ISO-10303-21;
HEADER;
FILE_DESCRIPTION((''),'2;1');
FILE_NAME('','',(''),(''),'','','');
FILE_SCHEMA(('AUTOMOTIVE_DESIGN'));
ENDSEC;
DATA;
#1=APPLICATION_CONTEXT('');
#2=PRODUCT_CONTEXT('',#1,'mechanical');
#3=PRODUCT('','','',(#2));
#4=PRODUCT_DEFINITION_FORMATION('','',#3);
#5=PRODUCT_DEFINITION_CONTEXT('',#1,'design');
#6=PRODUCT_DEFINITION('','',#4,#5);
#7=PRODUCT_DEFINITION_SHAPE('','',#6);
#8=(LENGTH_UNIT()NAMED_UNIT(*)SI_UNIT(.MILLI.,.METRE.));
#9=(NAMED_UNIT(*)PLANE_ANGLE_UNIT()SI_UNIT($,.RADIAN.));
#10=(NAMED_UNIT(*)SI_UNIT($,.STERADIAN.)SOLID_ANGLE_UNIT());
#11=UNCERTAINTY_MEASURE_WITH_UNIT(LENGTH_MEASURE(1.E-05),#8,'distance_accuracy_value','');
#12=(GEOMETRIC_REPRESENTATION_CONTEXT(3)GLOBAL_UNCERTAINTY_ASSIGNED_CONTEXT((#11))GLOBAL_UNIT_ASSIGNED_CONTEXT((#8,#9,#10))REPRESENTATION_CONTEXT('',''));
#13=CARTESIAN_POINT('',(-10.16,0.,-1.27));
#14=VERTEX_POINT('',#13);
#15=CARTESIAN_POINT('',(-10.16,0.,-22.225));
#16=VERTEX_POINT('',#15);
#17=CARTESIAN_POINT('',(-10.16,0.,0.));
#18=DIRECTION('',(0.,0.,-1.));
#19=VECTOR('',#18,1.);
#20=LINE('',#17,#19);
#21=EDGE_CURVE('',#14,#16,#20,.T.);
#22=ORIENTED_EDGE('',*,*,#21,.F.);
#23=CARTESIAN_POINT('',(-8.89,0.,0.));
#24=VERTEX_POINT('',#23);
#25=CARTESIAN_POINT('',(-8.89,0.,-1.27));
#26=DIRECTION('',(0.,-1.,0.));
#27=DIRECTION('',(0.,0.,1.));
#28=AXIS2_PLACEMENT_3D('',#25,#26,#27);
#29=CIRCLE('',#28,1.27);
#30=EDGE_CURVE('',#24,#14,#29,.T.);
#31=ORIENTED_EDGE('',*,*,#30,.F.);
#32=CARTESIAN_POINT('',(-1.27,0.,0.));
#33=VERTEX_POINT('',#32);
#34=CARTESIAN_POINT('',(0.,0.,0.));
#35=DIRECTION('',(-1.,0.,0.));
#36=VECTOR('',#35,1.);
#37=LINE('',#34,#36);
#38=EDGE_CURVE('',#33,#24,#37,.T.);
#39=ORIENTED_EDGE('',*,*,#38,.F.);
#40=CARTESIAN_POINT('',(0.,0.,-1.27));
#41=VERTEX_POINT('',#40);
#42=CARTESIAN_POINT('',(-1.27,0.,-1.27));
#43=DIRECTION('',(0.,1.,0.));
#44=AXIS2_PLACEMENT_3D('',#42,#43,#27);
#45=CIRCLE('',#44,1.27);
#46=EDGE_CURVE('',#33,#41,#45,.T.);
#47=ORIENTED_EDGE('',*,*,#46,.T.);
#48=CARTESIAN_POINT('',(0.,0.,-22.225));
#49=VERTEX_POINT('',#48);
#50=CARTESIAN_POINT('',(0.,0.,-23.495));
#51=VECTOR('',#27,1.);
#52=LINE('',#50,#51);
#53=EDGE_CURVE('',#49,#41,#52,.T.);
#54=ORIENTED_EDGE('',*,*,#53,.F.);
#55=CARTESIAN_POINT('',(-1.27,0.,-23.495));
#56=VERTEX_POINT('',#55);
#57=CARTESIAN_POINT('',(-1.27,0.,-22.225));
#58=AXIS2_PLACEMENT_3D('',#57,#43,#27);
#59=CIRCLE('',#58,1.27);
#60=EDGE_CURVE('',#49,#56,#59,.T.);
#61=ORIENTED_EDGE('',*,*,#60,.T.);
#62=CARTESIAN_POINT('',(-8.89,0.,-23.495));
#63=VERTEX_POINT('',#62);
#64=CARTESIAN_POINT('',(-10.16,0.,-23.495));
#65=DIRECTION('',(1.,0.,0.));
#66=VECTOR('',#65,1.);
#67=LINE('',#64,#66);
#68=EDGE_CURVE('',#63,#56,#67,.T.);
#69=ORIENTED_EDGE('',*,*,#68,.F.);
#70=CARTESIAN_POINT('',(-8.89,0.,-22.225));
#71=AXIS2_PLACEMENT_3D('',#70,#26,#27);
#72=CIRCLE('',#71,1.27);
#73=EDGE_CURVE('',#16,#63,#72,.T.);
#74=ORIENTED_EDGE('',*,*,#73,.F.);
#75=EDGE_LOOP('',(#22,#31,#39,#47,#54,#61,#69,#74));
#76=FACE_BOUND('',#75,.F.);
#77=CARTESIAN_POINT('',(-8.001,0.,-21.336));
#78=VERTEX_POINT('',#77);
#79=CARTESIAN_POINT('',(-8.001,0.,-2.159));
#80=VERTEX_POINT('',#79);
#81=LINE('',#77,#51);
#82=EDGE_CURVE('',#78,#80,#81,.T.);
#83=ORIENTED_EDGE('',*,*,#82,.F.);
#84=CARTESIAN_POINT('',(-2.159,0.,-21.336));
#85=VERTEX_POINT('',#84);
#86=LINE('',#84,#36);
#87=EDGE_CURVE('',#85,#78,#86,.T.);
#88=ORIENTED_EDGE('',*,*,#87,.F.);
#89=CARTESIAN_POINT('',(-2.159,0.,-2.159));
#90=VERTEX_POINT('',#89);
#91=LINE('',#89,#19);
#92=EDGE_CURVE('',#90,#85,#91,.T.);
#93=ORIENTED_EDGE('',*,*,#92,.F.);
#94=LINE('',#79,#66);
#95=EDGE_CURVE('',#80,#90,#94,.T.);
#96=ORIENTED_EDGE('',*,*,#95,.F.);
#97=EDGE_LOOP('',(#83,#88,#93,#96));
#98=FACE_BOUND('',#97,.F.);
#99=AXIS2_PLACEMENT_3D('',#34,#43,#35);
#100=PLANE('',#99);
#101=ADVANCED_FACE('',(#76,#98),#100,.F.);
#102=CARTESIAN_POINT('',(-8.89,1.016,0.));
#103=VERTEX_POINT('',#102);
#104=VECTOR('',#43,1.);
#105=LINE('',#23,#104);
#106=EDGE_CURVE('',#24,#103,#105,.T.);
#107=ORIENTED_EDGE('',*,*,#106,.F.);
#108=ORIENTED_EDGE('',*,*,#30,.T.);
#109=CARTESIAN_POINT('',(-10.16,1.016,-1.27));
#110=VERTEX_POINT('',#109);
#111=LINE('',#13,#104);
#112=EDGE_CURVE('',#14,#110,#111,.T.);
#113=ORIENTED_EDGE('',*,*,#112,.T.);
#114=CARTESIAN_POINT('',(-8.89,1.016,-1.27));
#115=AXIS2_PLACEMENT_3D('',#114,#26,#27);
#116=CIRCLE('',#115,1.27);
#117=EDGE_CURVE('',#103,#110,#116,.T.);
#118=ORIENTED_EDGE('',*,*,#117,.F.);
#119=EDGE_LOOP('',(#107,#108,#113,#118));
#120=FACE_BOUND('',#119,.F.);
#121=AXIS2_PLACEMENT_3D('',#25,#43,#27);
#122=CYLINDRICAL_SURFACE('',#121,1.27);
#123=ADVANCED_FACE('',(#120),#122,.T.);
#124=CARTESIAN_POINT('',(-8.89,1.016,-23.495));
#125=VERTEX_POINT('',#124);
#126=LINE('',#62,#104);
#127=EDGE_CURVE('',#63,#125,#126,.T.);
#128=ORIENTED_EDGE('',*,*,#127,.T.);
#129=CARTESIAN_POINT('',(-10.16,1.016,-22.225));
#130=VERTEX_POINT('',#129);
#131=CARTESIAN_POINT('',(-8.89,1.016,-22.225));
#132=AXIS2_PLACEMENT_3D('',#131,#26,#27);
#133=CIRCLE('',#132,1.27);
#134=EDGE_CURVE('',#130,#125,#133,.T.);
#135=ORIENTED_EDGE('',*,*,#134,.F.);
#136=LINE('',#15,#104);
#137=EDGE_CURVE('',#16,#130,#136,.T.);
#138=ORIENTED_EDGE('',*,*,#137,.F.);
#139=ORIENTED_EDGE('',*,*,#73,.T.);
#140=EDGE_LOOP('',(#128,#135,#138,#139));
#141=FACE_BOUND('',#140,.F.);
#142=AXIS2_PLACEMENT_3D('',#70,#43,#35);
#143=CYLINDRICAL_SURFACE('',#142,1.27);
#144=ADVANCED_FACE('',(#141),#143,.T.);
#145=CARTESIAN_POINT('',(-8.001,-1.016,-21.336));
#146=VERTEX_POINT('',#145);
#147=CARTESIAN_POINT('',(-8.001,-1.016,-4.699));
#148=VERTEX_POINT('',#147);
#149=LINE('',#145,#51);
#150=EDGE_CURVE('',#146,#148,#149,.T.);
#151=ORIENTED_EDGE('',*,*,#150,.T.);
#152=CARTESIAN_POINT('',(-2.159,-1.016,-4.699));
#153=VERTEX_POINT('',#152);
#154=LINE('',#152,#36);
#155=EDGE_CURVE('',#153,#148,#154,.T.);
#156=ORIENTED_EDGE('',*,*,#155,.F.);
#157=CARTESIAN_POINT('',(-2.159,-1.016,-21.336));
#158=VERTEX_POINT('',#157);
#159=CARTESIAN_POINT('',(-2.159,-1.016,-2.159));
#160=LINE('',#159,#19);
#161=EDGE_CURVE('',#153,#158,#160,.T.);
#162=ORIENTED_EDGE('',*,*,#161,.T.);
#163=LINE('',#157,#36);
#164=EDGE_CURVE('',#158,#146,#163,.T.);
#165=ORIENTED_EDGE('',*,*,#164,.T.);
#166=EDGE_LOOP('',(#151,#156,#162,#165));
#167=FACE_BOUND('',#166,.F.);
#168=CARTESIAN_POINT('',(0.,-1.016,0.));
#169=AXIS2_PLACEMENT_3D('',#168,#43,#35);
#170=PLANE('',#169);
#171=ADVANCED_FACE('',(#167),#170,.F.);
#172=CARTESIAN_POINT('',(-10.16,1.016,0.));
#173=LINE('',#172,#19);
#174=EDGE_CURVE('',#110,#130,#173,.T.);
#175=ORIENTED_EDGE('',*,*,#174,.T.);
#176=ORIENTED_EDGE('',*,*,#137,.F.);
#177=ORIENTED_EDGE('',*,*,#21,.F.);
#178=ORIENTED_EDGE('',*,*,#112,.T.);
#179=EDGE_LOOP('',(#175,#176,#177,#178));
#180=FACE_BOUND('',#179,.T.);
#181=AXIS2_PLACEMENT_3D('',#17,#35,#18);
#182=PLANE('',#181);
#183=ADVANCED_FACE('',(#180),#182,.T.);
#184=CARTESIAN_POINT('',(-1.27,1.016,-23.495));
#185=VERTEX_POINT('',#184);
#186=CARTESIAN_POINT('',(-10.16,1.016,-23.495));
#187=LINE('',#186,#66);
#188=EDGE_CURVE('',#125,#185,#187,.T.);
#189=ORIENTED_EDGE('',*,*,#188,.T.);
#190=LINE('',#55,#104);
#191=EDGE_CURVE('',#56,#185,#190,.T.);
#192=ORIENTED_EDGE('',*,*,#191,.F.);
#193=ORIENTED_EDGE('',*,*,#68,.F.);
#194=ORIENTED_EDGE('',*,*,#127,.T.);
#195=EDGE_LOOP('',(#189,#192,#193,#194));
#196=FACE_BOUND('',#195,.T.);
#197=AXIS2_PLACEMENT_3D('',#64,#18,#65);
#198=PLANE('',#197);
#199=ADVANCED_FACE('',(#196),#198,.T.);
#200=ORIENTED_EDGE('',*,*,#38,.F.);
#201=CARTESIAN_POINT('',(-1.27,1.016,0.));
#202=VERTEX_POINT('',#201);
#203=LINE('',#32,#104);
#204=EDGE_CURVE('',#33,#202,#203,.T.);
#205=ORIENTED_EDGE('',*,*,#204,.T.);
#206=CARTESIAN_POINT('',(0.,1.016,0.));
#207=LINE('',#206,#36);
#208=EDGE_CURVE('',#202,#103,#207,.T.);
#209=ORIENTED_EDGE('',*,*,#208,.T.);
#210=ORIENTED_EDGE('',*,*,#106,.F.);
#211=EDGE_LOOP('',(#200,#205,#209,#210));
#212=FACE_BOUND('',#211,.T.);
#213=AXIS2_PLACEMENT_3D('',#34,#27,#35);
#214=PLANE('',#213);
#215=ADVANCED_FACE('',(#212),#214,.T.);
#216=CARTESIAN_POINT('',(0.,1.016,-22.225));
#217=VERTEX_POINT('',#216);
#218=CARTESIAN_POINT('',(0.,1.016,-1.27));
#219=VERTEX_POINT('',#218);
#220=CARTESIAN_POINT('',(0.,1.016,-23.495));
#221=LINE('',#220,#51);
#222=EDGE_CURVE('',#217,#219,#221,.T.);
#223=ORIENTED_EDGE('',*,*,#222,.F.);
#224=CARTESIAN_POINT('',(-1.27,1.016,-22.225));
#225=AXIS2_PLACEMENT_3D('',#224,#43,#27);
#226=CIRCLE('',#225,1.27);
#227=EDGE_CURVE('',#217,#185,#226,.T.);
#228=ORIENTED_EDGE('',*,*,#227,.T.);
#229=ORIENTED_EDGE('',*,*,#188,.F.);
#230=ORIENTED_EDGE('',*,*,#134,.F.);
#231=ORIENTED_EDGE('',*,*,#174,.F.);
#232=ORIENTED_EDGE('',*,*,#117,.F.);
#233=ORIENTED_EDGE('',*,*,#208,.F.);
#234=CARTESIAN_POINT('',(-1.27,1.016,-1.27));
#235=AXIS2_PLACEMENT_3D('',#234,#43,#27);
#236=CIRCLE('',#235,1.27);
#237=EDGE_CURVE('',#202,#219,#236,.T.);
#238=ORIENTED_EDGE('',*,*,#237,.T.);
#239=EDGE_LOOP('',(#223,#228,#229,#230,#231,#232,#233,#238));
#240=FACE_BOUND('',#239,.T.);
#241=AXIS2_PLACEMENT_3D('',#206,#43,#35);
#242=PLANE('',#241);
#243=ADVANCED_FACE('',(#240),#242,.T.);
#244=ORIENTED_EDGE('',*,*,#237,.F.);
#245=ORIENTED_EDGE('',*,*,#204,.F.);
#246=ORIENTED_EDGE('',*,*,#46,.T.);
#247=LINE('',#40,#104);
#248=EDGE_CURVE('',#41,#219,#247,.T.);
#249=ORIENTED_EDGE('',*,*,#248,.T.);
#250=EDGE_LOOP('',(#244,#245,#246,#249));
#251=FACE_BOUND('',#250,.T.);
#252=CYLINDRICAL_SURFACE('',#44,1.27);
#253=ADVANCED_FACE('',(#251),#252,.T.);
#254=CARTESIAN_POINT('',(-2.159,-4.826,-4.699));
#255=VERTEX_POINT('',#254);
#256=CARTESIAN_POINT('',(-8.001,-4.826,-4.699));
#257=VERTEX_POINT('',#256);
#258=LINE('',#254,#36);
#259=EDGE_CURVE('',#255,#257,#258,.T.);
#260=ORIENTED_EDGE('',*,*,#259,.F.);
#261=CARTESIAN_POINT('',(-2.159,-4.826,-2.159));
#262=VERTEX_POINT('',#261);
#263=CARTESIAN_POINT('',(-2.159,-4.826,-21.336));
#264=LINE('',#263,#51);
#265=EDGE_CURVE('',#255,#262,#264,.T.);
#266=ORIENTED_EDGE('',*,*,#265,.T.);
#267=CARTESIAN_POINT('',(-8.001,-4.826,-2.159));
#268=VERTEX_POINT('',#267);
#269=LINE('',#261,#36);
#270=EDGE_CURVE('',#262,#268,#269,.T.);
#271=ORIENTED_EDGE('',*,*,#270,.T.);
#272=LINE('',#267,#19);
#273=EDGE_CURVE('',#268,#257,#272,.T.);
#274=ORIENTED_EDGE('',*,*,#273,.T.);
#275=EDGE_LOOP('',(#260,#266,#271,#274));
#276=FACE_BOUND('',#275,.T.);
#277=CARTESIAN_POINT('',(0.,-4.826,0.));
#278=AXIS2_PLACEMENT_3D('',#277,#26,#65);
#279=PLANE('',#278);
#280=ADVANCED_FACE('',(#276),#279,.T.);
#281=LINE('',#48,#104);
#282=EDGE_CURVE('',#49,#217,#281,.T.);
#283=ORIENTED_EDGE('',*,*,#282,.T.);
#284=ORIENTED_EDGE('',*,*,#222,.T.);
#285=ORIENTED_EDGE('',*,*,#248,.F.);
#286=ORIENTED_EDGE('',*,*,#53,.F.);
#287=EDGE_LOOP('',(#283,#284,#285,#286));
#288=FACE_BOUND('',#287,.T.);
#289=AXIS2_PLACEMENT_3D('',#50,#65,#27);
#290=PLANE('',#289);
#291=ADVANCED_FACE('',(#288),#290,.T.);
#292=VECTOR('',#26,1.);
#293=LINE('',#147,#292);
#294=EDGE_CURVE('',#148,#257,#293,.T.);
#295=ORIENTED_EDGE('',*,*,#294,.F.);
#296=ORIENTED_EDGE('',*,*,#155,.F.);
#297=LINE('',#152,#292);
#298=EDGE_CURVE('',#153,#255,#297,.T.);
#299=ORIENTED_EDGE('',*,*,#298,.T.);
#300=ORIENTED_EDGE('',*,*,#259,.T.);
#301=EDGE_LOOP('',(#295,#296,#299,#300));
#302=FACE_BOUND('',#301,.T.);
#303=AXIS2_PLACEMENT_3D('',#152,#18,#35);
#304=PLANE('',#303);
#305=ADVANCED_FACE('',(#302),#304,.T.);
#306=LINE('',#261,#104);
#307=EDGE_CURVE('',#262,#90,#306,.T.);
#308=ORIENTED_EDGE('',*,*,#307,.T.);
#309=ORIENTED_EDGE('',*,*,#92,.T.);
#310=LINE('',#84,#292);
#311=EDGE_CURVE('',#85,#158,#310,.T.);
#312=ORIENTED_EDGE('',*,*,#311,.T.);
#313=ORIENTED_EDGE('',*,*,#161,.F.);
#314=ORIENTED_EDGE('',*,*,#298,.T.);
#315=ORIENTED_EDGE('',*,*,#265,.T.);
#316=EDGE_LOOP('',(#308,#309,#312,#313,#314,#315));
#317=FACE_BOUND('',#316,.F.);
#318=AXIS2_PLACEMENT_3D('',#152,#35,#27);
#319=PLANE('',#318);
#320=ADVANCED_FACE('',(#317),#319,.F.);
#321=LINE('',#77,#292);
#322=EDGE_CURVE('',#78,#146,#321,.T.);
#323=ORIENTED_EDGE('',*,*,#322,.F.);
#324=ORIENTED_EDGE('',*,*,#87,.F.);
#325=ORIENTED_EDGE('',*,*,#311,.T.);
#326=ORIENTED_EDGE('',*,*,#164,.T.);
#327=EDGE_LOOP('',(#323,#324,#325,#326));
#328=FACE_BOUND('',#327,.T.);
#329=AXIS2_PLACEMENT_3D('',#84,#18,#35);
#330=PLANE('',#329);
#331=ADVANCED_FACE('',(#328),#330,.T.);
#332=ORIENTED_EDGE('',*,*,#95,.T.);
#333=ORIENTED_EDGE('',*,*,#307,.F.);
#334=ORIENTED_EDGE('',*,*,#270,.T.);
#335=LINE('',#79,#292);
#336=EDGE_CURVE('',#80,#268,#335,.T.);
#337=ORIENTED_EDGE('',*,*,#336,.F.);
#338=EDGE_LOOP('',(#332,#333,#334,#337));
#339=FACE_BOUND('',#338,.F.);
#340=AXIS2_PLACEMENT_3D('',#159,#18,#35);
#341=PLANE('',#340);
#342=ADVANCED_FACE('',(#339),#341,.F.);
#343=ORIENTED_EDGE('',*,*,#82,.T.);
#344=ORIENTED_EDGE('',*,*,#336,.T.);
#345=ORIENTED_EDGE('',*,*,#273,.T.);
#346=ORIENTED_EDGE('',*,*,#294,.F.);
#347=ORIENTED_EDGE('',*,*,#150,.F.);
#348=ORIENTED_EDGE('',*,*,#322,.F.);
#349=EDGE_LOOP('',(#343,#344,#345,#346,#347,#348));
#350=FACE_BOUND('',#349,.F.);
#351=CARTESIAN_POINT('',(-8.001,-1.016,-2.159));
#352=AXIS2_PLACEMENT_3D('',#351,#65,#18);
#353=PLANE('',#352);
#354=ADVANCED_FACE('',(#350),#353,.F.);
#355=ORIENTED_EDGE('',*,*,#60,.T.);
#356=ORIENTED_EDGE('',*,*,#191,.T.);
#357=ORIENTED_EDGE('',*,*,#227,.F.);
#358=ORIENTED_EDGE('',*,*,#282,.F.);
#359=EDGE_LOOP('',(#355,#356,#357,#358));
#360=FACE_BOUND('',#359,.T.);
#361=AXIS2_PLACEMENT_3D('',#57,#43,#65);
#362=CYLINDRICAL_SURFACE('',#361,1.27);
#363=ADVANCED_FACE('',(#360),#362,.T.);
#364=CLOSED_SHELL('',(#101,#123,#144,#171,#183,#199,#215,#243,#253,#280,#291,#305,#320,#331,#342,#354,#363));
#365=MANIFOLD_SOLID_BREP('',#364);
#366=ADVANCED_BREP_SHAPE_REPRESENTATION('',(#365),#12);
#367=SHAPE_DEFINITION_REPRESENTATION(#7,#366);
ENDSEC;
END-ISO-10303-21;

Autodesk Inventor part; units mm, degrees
ref_plane "YZ Plane" through (0, 0, 0) normal (1, 0, 0) x (0, 1, 0)
ref_plane "XZ Plane" through (0, 0, 0) normal (0, 1, 0) x (-1, 0, 0)
ref_plane "XY Plane" through (0, 0, 0) normal (0, 0, 1) x (1, 0, 0)
sketch "Sketch1" plane through (0, 0, 0) normal (0, 1, 0) x (-1, 0, 0)
  line L0 (0, 0) -> (10.16, 0)
  line L1 (10.16, 0) -> (10.16, -23.495)
  line L2 (10.16, -23.495) -> (0, -23.495)
  line L3 (0, -23.495) -> (0, 0)
  line L4 (8.001, -21.336) -> (8.001, -2.159)
  line L5 (8.001, -2.159) -> (2.159, -2.159)
  line L6 (2.159, -2.159) -> (2.159, -21.336)
  line L7 (2.159, -21.336) -> (8.001, -21.336)
  dimension "d0" = 23.495
  dimension "d1" = 10.16
  dimension "d2" = 2.159
extrude "Extrusion1" add sketch "Sketch1" along normal blind 1.016 contours L0 L1 L2 L3 | L7 L6 L5 L4
extrude "Extrusion2" add sketch "Sketch1" against normal blind 1.016 contours L7 L6 L5 L4
fillet "Fillet1" radius 1.27 4 edges at (0, 0.508, 0) (0, 0.508, -23.495) (-10.16, 0.508, -23.495) (-10.16, 0.508, 0)
sketch "Sketch2" plane through (0, -1.016, 0) normal (0, -1, 0) x (1, 0, 0)
  line L0 (-8.001, -2.159) -> (-8.001, -21.336) projected
  line L1 (-8.001, -21.336) -> (-2.159, -21.336) projected
  line L2 (-2.159, -21.336) -> (-2.159, -2.159) projected
  line L3 (-2.159, -2.159) -> (-8.001, -2.159) projected
  line L4 (-2.159, -4.699) -> (-8.001, -4.699)
  point P0 (0, 0)
  dimension "d8" = 2.54
extrude "Extrusion3" add sketch "Sketch2" along normal blind 3.81 contours L3 L2 L4 L0
properties part number "HallEffectSensorCaseLid" material "ABS Plastic"
